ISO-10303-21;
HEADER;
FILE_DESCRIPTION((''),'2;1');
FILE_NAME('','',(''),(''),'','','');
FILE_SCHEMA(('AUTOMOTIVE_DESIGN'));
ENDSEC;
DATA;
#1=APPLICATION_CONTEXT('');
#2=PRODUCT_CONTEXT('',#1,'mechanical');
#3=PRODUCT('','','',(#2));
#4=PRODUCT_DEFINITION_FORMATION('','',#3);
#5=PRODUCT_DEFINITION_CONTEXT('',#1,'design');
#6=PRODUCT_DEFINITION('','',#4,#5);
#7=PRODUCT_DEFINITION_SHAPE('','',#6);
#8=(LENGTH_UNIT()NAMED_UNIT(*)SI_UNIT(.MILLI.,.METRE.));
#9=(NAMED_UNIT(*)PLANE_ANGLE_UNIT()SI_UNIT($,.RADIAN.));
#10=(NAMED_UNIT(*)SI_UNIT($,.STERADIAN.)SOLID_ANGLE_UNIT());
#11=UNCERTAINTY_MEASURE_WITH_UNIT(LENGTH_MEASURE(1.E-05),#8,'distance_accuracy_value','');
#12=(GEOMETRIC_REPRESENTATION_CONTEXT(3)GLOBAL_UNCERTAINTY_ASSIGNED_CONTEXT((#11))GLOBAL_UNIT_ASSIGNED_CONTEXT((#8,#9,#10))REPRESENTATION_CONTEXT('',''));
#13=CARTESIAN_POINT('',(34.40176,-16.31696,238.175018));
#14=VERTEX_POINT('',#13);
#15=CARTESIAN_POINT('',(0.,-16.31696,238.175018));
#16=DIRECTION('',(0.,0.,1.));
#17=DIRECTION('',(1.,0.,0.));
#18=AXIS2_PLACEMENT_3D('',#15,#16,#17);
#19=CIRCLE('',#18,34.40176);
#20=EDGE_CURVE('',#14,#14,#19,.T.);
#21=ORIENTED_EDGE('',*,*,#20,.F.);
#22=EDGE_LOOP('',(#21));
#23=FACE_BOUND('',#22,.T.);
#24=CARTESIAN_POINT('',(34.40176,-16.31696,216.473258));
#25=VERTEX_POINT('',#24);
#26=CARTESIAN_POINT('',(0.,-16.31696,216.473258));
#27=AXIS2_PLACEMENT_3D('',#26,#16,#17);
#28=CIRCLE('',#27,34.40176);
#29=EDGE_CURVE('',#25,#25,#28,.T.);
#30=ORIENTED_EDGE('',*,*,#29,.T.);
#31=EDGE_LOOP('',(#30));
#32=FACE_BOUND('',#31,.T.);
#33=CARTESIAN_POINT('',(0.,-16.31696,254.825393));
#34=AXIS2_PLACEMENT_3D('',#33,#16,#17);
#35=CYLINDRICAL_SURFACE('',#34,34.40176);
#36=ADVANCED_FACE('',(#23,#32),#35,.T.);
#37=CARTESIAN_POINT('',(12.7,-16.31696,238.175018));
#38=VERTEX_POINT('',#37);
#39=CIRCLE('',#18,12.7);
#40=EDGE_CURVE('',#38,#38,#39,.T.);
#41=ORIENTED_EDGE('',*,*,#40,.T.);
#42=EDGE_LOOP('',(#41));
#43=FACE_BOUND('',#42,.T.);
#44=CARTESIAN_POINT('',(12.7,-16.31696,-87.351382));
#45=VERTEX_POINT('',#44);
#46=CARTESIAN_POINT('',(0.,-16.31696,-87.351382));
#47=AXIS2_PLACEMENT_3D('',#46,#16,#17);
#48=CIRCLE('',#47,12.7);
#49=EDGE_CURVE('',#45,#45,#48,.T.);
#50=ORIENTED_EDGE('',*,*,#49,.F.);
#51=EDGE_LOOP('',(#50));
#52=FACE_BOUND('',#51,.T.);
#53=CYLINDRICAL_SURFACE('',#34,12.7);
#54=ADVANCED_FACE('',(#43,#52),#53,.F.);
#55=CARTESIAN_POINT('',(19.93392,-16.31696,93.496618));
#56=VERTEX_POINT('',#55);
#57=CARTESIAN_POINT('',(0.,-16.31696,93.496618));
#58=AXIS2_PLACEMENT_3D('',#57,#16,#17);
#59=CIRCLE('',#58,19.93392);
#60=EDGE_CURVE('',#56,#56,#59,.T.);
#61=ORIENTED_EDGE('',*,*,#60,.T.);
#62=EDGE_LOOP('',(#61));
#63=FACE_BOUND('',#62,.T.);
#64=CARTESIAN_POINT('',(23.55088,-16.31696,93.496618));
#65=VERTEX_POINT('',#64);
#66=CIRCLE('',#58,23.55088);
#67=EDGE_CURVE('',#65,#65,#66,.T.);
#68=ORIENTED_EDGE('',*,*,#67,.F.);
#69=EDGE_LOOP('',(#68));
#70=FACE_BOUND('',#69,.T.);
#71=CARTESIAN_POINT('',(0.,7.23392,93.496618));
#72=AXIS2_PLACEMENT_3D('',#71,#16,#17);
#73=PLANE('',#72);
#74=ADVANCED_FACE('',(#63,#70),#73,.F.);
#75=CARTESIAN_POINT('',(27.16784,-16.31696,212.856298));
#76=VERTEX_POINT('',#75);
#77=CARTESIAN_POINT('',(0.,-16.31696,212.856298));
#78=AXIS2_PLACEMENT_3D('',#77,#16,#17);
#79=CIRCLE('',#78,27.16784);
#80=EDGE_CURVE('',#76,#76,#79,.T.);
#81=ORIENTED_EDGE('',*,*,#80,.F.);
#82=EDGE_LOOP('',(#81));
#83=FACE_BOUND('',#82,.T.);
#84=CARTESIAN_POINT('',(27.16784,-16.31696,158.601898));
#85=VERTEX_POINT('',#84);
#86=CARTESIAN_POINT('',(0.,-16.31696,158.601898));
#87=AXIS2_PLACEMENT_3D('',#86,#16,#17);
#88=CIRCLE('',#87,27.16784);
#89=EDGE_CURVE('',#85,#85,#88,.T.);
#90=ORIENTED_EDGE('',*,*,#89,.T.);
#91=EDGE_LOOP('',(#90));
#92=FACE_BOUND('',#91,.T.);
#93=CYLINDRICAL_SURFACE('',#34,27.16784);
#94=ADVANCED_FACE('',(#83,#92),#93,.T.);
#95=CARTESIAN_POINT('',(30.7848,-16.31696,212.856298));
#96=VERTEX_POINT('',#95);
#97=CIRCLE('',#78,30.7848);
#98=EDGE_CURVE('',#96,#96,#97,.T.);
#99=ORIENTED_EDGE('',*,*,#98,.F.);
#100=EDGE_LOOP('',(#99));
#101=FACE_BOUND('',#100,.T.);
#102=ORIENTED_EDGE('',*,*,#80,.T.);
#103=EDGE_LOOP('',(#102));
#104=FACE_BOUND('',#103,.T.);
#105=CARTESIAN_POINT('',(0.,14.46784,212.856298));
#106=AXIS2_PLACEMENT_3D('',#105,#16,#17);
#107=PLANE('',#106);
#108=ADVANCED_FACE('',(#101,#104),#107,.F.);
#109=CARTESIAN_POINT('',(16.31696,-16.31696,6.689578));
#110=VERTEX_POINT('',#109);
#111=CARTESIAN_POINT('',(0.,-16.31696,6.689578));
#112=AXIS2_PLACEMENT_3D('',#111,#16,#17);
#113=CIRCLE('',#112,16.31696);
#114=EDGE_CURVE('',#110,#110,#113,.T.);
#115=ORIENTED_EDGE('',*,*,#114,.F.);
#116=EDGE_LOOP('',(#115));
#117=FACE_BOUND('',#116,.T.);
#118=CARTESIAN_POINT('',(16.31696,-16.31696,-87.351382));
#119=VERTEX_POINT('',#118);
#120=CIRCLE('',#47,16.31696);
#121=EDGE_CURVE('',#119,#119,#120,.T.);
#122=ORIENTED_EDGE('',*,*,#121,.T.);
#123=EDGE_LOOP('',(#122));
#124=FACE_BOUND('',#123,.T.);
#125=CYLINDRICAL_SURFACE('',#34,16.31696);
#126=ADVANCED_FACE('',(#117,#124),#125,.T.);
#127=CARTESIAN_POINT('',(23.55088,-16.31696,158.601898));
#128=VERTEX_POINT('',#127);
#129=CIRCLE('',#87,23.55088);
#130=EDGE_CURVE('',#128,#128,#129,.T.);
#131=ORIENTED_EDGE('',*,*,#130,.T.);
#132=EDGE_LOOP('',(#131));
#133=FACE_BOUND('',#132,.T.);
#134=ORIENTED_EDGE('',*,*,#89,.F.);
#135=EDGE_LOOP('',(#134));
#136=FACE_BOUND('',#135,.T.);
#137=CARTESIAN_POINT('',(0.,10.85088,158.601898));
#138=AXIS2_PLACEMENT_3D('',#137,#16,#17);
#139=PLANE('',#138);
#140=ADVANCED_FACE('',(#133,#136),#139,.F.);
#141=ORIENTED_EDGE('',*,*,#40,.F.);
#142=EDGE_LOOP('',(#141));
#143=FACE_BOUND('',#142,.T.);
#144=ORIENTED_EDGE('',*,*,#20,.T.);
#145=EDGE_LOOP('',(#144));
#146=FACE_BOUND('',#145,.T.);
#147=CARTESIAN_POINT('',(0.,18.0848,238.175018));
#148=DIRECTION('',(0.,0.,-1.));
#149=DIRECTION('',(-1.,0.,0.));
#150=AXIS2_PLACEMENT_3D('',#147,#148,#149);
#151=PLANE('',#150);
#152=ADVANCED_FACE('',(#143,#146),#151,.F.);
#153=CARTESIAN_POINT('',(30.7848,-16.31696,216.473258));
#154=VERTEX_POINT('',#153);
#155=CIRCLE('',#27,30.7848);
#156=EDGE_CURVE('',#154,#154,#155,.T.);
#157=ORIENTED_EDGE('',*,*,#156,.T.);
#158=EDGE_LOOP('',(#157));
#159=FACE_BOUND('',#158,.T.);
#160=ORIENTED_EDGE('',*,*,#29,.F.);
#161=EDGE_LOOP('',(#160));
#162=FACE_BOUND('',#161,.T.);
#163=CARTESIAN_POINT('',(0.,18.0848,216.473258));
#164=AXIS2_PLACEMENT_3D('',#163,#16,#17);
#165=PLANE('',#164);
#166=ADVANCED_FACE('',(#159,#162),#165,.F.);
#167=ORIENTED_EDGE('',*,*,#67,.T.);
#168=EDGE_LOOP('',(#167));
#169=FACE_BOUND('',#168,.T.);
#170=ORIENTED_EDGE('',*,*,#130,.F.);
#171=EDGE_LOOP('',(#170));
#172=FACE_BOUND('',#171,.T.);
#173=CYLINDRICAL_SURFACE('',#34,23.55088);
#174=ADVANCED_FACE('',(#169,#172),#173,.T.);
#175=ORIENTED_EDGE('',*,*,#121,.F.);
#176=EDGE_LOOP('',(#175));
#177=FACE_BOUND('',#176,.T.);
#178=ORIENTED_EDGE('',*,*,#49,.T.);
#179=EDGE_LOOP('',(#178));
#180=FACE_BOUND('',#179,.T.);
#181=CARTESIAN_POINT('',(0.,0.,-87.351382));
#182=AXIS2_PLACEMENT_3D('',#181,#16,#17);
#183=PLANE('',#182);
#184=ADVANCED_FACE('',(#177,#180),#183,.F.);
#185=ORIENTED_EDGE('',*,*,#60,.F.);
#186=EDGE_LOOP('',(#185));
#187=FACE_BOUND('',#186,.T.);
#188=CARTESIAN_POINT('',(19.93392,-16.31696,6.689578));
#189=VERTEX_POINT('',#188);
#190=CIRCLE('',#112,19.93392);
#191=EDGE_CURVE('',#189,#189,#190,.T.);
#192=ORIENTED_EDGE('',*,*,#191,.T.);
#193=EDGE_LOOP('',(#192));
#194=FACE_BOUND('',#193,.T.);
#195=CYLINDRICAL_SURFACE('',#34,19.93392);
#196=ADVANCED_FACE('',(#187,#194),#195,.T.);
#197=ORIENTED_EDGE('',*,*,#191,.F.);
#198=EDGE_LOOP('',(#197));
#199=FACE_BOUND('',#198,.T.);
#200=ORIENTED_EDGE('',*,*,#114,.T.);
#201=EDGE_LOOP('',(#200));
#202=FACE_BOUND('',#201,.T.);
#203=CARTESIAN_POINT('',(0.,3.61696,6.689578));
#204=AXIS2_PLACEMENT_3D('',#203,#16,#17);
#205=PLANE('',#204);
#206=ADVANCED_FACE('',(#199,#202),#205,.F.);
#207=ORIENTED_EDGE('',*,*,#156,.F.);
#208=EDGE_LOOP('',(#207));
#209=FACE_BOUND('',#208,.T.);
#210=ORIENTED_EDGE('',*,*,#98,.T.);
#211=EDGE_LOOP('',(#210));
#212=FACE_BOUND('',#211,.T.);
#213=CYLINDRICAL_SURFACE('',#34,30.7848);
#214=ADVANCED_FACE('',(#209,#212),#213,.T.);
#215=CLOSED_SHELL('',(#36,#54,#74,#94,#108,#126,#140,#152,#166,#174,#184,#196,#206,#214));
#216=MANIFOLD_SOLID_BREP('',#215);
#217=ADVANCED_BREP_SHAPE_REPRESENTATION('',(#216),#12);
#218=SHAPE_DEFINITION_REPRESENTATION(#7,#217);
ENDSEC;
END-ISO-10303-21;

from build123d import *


with BuildPart() as part:
    # Sketch1 → Revolve1 (revolve)
    with BuildSketch(Plane(origin=(0, 0, 0), x_dir=(0, 0, -1), z_dir=(1, 0, 0)), mode=Mode.PRIVATE) as revolve1_sk:
        Polygon((-238.175017721, 18.0848), (-238.175017721, -3.61696), (87.351382279, -3.61696), (87.351382279, 0), (-6.689577721, 0), (-6.689577721, 3.61696), (-93.496617721, 3.61696), (-93.496617721, 7.23392), (-158.601897721, 7.23392), (-158.601897721, 10.85088), (-212.856297721, 10.85088), (-212.856297721, 14.46784), (-216.473257721, 14.46784), (-216.473257721, 18.0848), align=None)
    revolve(revolve1_sk.sketch.rotate(Axis((0, -16.31696, 254.825393325), (0, 0, -1)), 90), axis=Axis((0, -16.31696, 254.825393325), (0, 0, -1)))


solid = part.part
